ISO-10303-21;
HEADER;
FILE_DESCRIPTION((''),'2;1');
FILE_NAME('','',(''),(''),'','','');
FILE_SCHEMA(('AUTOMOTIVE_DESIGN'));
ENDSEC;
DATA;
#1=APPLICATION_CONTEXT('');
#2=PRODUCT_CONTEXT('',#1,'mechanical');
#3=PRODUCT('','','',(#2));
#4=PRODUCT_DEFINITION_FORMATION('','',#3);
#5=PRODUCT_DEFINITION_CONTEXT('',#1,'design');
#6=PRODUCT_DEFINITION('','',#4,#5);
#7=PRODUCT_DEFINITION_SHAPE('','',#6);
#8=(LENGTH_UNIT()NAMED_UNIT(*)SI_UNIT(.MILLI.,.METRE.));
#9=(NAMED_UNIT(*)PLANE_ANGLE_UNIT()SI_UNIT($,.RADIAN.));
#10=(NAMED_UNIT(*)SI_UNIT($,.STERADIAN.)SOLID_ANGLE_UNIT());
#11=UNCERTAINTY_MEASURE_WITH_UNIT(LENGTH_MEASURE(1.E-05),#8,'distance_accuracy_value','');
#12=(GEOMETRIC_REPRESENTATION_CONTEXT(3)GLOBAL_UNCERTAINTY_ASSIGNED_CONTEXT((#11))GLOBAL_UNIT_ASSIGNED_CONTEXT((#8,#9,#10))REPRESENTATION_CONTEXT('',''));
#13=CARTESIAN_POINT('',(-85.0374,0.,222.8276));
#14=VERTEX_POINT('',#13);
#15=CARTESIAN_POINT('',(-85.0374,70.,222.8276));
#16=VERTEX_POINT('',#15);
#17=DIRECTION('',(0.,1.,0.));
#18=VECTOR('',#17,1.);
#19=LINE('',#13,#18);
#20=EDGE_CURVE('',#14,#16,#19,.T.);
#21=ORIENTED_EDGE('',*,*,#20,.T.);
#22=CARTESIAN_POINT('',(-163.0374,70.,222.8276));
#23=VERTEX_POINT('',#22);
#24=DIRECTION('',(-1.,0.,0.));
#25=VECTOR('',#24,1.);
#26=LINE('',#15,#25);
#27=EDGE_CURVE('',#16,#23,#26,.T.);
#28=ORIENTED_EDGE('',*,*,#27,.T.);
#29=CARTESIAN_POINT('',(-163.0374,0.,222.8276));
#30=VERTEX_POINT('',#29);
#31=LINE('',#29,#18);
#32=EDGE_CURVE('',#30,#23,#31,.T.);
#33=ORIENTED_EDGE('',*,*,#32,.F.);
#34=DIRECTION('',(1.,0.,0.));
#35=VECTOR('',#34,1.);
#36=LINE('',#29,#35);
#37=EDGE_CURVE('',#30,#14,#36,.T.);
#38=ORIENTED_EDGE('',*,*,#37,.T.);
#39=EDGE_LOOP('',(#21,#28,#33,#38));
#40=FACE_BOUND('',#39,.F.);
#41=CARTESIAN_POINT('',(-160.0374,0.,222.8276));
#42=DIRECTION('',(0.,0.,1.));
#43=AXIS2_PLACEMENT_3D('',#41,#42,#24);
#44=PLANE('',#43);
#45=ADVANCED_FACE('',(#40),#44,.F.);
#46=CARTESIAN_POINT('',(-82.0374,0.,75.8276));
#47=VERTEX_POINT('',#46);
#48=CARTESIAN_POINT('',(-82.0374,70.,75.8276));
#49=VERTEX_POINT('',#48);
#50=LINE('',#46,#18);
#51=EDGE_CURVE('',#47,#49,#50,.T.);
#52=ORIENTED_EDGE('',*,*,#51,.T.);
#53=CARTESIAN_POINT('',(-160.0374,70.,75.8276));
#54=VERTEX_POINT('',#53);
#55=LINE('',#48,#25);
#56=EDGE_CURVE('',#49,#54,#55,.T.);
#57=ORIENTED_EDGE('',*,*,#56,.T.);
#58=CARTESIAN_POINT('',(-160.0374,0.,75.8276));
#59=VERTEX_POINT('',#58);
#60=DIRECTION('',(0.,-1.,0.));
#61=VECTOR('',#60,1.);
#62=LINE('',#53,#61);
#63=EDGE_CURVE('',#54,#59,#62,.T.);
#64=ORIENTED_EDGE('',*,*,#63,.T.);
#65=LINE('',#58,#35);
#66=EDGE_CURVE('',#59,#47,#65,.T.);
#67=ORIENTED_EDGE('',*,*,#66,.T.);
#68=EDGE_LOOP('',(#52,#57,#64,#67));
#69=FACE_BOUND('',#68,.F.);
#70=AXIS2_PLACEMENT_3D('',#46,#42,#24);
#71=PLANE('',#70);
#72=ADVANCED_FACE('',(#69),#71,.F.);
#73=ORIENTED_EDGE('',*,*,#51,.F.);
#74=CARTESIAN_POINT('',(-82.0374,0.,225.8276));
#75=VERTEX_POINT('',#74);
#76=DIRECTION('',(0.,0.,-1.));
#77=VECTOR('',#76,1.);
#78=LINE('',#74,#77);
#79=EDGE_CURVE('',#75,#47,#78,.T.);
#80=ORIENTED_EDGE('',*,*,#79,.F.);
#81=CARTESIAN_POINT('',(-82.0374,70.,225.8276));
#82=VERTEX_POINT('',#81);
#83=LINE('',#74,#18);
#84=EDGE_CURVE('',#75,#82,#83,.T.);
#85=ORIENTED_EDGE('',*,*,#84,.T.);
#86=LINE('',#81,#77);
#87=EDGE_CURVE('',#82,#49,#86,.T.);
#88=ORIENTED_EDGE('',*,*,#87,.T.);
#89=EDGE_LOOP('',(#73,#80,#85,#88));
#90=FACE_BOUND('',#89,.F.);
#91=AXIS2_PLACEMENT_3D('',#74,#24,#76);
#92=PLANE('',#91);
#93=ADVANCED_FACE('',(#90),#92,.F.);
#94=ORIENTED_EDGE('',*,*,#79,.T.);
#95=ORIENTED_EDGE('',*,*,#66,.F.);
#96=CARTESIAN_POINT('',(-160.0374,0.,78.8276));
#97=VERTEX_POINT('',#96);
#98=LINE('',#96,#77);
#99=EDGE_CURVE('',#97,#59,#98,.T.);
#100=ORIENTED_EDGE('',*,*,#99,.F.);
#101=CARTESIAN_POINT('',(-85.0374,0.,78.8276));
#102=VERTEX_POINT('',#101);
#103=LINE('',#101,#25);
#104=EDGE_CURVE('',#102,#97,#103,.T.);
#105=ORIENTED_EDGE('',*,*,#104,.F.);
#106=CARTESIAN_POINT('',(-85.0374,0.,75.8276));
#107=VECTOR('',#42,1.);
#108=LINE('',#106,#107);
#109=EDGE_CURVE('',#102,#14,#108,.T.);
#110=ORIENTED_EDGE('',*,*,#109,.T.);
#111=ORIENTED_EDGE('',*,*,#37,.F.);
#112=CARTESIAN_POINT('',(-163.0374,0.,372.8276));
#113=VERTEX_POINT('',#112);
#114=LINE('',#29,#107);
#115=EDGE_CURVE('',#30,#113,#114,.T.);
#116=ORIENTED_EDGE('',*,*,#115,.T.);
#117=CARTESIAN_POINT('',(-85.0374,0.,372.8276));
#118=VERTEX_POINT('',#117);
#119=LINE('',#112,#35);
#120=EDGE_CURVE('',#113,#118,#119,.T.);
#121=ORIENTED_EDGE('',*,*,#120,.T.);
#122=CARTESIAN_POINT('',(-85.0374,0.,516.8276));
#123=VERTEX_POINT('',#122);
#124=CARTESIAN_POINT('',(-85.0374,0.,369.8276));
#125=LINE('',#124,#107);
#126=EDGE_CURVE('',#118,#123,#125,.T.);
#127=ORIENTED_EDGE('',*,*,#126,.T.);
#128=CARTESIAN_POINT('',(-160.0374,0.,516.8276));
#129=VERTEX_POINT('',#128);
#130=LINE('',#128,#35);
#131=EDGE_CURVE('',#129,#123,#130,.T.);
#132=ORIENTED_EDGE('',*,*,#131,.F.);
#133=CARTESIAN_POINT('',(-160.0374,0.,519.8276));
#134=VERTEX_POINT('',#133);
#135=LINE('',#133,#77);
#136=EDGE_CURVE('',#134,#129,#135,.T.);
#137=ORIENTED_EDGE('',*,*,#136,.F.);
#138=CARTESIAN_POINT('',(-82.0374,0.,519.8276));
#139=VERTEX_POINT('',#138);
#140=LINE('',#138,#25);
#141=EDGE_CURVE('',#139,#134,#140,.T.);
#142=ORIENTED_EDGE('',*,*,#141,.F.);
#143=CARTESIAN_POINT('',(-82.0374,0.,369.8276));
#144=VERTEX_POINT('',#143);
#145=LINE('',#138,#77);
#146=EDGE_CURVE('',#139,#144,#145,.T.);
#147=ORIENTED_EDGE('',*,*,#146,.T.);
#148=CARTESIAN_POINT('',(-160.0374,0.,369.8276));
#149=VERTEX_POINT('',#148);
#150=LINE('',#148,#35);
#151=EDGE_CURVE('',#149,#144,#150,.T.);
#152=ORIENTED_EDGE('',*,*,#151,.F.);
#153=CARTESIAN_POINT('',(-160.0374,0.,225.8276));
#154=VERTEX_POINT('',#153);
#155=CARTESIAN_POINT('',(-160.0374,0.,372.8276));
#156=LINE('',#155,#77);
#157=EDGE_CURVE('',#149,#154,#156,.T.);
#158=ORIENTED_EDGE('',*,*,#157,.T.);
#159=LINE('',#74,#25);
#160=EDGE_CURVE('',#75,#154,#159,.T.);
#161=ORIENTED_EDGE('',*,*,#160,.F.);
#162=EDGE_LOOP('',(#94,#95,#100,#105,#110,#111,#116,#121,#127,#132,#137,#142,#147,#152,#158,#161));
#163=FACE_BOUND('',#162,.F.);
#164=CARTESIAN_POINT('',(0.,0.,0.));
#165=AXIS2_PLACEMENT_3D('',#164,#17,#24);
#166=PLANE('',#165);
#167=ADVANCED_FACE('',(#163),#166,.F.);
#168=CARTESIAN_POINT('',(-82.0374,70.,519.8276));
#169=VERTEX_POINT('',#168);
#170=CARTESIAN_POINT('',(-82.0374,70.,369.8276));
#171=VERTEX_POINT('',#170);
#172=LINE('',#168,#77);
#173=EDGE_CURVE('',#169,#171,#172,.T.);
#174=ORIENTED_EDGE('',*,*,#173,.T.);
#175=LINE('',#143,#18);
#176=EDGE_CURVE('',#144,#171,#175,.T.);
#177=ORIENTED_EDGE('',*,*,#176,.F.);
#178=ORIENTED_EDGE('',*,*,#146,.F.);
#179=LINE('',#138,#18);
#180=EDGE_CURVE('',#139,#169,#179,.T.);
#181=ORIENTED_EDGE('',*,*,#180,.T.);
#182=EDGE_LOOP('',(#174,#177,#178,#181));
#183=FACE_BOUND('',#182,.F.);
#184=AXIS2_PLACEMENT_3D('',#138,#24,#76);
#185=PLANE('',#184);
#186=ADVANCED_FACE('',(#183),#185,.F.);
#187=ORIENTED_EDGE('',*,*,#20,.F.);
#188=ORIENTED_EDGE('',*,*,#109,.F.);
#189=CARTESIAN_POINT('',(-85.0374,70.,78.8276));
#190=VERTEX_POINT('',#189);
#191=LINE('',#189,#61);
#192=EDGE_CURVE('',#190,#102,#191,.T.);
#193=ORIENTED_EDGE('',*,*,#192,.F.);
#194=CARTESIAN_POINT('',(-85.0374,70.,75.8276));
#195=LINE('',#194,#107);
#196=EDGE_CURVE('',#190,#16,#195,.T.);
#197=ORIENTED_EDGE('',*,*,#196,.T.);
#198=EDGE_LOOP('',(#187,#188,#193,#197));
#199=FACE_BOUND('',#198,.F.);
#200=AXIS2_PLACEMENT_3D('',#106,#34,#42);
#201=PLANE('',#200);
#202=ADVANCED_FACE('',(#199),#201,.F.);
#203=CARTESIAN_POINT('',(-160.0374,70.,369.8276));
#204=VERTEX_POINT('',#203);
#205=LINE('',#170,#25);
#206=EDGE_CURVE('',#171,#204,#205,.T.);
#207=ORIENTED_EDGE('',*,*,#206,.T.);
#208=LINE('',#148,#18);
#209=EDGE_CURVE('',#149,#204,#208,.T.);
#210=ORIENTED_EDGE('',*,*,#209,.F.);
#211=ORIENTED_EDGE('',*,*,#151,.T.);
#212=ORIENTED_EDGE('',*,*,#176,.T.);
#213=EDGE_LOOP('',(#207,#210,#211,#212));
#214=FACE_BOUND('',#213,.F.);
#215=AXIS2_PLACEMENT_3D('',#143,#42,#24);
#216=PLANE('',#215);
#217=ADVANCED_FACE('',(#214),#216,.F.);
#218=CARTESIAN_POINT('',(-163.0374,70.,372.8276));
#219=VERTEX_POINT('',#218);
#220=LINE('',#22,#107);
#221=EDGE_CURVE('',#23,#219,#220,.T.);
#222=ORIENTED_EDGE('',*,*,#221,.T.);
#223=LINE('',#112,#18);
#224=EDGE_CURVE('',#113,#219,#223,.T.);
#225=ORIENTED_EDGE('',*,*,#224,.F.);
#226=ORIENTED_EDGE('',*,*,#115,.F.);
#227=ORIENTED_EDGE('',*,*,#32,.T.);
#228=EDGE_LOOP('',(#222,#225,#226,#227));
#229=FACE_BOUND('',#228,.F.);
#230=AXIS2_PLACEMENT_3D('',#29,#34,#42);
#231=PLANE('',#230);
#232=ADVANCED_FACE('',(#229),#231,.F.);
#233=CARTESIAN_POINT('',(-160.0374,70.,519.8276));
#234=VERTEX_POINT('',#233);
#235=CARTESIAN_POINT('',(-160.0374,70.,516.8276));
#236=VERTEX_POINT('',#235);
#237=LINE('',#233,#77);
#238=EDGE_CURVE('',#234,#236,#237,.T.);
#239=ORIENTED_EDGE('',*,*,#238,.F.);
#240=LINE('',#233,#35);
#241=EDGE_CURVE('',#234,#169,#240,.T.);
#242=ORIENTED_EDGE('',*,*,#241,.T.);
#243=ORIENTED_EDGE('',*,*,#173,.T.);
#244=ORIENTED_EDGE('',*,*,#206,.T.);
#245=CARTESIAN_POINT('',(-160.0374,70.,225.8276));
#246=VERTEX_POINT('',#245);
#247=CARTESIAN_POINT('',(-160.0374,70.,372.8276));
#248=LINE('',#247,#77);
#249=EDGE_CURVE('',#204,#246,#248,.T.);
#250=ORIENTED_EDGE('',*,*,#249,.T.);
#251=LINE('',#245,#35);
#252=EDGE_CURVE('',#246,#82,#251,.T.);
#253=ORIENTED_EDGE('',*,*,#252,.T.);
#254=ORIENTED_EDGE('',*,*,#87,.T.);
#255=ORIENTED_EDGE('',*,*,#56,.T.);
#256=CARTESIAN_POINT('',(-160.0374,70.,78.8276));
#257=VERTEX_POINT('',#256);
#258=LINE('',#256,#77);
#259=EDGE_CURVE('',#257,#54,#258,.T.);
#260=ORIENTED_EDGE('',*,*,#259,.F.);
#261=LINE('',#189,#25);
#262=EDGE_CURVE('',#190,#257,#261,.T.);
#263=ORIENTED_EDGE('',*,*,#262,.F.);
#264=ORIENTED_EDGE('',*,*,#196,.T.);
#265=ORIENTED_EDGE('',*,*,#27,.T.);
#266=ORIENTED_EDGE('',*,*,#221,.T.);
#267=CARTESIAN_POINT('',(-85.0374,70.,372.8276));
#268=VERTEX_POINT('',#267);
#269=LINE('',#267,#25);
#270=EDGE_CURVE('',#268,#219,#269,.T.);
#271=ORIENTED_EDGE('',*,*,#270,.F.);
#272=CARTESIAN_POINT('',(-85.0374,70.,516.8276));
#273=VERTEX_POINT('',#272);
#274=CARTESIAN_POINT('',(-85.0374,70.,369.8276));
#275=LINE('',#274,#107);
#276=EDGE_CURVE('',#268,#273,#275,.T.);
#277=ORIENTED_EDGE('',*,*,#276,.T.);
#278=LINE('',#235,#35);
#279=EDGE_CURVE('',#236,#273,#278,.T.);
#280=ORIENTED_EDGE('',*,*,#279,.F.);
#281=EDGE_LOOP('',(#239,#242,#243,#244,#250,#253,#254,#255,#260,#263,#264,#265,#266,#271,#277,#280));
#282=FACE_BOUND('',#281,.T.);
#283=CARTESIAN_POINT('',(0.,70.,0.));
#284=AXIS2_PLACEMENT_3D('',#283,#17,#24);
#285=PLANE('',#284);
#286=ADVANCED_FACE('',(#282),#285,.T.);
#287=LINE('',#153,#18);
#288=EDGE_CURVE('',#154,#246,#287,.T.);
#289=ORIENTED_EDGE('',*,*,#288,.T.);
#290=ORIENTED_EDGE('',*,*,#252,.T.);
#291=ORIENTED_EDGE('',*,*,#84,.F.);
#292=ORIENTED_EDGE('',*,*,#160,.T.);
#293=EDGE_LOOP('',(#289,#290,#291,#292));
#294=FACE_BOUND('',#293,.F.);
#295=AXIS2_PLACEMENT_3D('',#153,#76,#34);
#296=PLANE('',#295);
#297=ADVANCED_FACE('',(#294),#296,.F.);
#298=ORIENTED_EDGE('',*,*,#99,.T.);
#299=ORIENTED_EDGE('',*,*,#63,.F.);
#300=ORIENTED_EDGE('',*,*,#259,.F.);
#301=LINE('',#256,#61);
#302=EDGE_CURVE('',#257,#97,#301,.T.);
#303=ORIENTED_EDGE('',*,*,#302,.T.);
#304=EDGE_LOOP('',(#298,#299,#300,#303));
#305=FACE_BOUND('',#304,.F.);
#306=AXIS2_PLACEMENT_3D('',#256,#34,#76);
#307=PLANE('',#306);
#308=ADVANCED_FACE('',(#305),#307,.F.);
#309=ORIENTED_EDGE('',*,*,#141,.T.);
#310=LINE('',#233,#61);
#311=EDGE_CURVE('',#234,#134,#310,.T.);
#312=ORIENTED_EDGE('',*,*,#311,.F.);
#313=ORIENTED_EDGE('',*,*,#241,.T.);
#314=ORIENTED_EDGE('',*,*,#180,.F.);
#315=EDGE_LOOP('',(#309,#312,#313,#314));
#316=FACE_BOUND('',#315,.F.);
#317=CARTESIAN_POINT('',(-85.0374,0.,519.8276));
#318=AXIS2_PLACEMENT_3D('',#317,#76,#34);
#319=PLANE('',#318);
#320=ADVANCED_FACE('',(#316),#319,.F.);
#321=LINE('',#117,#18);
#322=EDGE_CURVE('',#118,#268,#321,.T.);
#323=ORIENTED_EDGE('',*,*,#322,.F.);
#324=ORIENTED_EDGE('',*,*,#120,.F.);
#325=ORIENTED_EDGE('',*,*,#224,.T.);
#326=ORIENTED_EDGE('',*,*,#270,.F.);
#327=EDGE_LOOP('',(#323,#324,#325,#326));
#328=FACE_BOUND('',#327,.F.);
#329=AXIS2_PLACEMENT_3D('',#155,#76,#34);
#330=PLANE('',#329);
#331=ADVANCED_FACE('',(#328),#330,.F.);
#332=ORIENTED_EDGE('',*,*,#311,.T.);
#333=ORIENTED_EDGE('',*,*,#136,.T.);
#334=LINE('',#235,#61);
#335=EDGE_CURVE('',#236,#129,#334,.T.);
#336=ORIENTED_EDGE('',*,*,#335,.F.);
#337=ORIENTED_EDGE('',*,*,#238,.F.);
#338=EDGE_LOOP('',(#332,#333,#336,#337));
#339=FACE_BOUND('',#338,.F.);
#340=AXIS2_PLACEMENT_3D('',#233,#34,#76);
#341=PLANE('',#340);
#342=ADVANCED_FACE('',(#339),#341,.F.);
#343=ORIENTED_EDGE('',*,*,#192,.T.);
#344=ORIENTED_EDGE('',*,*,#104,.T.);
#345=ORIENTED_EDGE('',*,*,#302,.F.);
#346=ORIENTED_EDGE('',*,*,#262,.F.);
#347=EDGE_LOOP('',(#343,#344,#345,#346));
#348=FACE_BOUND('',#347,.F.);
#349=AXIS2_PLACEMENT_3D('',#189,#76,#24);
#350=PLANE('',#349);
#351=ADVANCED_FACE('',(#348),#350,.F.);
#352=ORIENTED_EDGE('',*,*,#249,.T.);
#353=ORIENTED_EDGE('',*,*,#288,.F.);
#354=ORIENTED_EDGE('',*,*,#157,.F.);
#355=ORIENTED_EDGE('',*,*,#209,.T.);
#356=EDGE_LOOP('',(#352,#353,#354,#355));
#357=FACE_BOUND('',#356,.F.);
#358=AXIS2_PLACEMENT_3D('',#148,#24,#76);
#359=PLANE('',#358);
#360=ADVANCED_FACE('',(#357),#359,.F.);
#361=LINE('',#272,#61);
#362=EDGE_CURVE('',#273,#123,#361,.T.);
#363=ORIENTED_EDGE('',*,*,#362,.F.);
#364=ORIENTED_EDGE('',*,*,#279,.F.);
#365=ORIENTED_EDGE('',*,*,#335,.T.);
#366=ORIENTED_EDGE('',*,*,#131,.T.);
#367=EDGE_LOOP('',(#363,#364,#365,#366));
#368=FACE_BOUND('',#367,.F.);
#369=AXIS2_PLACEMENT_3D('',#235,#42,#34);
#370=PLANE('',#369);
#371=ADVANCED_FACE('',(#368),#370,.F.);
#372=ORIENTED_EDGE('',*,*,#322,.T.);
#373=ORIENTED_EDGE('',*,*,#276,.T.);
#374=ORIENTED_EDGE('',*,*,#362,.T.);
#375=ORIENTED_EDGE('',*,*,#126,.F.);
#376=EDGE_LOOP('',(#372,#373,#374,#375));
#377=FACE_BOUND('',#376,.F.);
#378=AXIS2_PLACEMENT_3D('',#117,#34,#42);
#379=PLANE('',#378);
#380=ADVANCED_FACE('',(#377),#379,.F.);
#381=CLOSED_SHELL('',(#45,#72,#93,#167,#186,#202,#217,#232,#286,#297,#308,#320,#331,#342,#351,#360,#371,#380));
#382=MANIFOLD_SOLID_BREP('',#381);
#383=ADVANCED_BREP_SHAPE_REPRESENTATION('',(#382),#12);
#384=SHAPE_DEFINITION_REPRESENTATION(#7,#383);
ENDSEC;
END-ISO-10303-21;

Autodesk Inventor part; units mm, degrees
ref_plane "YZ Plane" through (0, 0, 0) normal (1, 0, 0) x (0, 1, 0)
ref_plane "XZ Plane" through (0, 0, 0) normal (0, 1, 0) x (-1, 0, 0)
ref_plane "XY Plane" through (0, 0, 0) normal (0, 0, 1) x (1, 0, 0)
sketch "スケッチ1" plane through (0, 0, 0) normal (0, 1, 0) x (-1, 0, 0)
  line L0 (85.0374, 519.8276) -> (82.0374, 519.8276)
  line L1 (82.0374, 519.8276) -> (82.0374, 369.8276)
  line L2 (82.0374, 369.8276) -> (85.0374, 369.8276)
  line L3 (85.0374, 369.8276) -> (85.0374, 519.8276)
  line L4 (160.0374, 372.8276) -> (85.0374, 372.8276)
  line L5 (85.0374, 372.8276) -> (85.0374, 369.8276)
  line L6 (85.0374, 369.8276) -> (160.0374, 369.8276)
  line L7 (160.0374, 369.8276) -> (160.0374, 372.8276)
  line L8 (163.0374, 372.8276) -> (160.0374, 372.8276)
  line L9 (160.0374, 372.8276) -> (160.0374, 222.8276)
  line L10 (160.0374, 222.8276) -> (163.0374, 222.8276)
  line L11 (163.0374, 222.8276) -> (163.0374, 372.8276)
  line L12 (160.0374, 225.8276) -> (85.0374, 225.8276)
  line L13 (85.0374, 225.8276) -> (85.0374, 222.8276)
  line L14 (85.0374, 222.8276) -> (160.0374, 222.8276)
  line L15 (160.0374, 222.8276) -> (160.0374, 225.8276)
  line L16 (85.0374, 225.8276) -> (82.0374, 225.8276)
  line L17 (82.0374, 225.8276) -> (82.0374, 75.8276)
  line L18 (82.0374, 75.8276) -> (85.0374, 75.8276)
  line L19 (85.0374, 75.8276) -> (85.0374, 225.8276)
  point P0 (0, 0)
  dimension "d0" = 150
  dimension "d1" = 3
  dimension "d2" = 3
  dimension "d3" = 75
  dimension "d4" = 3
  dimension "d5" = 150
  dimension "d6" = 75
  dimension "d7" = 3
  dimension "d8" = 3
  dimension "d9" = 150
extrude "押し出し1" add sketch "スケッチ1" along normal blind 70
sketch "スケッチ2" plane through (-82.0374, 0, 519.8276) normal (1, 0, 0) x (0, 0, -1)
  point P0 (519.8276, 0)
sketch "スケッチ3" plane through (0, 70, 0) normal (0, 1, 0) x (1, 0, 0)
  line L0 (-160.0374, -516.8276) -> (-85.0374, -516.8276)
  line L1 (-85.0374, -516.8276) -> (-85.0374, -519.8276)
  line L2 (-85.0374, -519.8276) -> (-160.0374, -519.8276)
  line L3 (-160.0374, -519.8276) -> (-160.0374, -516.8276)
  line L4 (-85.0374, -372.8276) -> (-85.0374, -519.8276) projected
  line L5 (-85.0374, -519.8276) -> (-82.0374, -519.8276) projected
  line L6 (-160.0374, -75.8276) -> (-85.0374, -75.8276)
  line L7 (-85.0374, -75.8276) -> (-85.0374, -78.8276)
  line L8 (-85.0374, -78.8276) -> (-160.0374, -78.8276)
  line L9 (-160.0374, -78.8276) -> (-160.0374, -75.8276)
  line L10 (-85.0374, -75.8276) -> (-85.0374, -222.8276) projected
  line L11 (-82.0374, -75.8276) -> (-85.0374, -75.8276) projected
  point P0 (0, 0)
  dimension "d12" = 75
  dimension "d13" = 3
  dimension "d14" = 75
  dimension "d15" = 3
extrude "押し出し2" add sketch "スケッチ3" against normal blind 70
properties part number "recreat2"
